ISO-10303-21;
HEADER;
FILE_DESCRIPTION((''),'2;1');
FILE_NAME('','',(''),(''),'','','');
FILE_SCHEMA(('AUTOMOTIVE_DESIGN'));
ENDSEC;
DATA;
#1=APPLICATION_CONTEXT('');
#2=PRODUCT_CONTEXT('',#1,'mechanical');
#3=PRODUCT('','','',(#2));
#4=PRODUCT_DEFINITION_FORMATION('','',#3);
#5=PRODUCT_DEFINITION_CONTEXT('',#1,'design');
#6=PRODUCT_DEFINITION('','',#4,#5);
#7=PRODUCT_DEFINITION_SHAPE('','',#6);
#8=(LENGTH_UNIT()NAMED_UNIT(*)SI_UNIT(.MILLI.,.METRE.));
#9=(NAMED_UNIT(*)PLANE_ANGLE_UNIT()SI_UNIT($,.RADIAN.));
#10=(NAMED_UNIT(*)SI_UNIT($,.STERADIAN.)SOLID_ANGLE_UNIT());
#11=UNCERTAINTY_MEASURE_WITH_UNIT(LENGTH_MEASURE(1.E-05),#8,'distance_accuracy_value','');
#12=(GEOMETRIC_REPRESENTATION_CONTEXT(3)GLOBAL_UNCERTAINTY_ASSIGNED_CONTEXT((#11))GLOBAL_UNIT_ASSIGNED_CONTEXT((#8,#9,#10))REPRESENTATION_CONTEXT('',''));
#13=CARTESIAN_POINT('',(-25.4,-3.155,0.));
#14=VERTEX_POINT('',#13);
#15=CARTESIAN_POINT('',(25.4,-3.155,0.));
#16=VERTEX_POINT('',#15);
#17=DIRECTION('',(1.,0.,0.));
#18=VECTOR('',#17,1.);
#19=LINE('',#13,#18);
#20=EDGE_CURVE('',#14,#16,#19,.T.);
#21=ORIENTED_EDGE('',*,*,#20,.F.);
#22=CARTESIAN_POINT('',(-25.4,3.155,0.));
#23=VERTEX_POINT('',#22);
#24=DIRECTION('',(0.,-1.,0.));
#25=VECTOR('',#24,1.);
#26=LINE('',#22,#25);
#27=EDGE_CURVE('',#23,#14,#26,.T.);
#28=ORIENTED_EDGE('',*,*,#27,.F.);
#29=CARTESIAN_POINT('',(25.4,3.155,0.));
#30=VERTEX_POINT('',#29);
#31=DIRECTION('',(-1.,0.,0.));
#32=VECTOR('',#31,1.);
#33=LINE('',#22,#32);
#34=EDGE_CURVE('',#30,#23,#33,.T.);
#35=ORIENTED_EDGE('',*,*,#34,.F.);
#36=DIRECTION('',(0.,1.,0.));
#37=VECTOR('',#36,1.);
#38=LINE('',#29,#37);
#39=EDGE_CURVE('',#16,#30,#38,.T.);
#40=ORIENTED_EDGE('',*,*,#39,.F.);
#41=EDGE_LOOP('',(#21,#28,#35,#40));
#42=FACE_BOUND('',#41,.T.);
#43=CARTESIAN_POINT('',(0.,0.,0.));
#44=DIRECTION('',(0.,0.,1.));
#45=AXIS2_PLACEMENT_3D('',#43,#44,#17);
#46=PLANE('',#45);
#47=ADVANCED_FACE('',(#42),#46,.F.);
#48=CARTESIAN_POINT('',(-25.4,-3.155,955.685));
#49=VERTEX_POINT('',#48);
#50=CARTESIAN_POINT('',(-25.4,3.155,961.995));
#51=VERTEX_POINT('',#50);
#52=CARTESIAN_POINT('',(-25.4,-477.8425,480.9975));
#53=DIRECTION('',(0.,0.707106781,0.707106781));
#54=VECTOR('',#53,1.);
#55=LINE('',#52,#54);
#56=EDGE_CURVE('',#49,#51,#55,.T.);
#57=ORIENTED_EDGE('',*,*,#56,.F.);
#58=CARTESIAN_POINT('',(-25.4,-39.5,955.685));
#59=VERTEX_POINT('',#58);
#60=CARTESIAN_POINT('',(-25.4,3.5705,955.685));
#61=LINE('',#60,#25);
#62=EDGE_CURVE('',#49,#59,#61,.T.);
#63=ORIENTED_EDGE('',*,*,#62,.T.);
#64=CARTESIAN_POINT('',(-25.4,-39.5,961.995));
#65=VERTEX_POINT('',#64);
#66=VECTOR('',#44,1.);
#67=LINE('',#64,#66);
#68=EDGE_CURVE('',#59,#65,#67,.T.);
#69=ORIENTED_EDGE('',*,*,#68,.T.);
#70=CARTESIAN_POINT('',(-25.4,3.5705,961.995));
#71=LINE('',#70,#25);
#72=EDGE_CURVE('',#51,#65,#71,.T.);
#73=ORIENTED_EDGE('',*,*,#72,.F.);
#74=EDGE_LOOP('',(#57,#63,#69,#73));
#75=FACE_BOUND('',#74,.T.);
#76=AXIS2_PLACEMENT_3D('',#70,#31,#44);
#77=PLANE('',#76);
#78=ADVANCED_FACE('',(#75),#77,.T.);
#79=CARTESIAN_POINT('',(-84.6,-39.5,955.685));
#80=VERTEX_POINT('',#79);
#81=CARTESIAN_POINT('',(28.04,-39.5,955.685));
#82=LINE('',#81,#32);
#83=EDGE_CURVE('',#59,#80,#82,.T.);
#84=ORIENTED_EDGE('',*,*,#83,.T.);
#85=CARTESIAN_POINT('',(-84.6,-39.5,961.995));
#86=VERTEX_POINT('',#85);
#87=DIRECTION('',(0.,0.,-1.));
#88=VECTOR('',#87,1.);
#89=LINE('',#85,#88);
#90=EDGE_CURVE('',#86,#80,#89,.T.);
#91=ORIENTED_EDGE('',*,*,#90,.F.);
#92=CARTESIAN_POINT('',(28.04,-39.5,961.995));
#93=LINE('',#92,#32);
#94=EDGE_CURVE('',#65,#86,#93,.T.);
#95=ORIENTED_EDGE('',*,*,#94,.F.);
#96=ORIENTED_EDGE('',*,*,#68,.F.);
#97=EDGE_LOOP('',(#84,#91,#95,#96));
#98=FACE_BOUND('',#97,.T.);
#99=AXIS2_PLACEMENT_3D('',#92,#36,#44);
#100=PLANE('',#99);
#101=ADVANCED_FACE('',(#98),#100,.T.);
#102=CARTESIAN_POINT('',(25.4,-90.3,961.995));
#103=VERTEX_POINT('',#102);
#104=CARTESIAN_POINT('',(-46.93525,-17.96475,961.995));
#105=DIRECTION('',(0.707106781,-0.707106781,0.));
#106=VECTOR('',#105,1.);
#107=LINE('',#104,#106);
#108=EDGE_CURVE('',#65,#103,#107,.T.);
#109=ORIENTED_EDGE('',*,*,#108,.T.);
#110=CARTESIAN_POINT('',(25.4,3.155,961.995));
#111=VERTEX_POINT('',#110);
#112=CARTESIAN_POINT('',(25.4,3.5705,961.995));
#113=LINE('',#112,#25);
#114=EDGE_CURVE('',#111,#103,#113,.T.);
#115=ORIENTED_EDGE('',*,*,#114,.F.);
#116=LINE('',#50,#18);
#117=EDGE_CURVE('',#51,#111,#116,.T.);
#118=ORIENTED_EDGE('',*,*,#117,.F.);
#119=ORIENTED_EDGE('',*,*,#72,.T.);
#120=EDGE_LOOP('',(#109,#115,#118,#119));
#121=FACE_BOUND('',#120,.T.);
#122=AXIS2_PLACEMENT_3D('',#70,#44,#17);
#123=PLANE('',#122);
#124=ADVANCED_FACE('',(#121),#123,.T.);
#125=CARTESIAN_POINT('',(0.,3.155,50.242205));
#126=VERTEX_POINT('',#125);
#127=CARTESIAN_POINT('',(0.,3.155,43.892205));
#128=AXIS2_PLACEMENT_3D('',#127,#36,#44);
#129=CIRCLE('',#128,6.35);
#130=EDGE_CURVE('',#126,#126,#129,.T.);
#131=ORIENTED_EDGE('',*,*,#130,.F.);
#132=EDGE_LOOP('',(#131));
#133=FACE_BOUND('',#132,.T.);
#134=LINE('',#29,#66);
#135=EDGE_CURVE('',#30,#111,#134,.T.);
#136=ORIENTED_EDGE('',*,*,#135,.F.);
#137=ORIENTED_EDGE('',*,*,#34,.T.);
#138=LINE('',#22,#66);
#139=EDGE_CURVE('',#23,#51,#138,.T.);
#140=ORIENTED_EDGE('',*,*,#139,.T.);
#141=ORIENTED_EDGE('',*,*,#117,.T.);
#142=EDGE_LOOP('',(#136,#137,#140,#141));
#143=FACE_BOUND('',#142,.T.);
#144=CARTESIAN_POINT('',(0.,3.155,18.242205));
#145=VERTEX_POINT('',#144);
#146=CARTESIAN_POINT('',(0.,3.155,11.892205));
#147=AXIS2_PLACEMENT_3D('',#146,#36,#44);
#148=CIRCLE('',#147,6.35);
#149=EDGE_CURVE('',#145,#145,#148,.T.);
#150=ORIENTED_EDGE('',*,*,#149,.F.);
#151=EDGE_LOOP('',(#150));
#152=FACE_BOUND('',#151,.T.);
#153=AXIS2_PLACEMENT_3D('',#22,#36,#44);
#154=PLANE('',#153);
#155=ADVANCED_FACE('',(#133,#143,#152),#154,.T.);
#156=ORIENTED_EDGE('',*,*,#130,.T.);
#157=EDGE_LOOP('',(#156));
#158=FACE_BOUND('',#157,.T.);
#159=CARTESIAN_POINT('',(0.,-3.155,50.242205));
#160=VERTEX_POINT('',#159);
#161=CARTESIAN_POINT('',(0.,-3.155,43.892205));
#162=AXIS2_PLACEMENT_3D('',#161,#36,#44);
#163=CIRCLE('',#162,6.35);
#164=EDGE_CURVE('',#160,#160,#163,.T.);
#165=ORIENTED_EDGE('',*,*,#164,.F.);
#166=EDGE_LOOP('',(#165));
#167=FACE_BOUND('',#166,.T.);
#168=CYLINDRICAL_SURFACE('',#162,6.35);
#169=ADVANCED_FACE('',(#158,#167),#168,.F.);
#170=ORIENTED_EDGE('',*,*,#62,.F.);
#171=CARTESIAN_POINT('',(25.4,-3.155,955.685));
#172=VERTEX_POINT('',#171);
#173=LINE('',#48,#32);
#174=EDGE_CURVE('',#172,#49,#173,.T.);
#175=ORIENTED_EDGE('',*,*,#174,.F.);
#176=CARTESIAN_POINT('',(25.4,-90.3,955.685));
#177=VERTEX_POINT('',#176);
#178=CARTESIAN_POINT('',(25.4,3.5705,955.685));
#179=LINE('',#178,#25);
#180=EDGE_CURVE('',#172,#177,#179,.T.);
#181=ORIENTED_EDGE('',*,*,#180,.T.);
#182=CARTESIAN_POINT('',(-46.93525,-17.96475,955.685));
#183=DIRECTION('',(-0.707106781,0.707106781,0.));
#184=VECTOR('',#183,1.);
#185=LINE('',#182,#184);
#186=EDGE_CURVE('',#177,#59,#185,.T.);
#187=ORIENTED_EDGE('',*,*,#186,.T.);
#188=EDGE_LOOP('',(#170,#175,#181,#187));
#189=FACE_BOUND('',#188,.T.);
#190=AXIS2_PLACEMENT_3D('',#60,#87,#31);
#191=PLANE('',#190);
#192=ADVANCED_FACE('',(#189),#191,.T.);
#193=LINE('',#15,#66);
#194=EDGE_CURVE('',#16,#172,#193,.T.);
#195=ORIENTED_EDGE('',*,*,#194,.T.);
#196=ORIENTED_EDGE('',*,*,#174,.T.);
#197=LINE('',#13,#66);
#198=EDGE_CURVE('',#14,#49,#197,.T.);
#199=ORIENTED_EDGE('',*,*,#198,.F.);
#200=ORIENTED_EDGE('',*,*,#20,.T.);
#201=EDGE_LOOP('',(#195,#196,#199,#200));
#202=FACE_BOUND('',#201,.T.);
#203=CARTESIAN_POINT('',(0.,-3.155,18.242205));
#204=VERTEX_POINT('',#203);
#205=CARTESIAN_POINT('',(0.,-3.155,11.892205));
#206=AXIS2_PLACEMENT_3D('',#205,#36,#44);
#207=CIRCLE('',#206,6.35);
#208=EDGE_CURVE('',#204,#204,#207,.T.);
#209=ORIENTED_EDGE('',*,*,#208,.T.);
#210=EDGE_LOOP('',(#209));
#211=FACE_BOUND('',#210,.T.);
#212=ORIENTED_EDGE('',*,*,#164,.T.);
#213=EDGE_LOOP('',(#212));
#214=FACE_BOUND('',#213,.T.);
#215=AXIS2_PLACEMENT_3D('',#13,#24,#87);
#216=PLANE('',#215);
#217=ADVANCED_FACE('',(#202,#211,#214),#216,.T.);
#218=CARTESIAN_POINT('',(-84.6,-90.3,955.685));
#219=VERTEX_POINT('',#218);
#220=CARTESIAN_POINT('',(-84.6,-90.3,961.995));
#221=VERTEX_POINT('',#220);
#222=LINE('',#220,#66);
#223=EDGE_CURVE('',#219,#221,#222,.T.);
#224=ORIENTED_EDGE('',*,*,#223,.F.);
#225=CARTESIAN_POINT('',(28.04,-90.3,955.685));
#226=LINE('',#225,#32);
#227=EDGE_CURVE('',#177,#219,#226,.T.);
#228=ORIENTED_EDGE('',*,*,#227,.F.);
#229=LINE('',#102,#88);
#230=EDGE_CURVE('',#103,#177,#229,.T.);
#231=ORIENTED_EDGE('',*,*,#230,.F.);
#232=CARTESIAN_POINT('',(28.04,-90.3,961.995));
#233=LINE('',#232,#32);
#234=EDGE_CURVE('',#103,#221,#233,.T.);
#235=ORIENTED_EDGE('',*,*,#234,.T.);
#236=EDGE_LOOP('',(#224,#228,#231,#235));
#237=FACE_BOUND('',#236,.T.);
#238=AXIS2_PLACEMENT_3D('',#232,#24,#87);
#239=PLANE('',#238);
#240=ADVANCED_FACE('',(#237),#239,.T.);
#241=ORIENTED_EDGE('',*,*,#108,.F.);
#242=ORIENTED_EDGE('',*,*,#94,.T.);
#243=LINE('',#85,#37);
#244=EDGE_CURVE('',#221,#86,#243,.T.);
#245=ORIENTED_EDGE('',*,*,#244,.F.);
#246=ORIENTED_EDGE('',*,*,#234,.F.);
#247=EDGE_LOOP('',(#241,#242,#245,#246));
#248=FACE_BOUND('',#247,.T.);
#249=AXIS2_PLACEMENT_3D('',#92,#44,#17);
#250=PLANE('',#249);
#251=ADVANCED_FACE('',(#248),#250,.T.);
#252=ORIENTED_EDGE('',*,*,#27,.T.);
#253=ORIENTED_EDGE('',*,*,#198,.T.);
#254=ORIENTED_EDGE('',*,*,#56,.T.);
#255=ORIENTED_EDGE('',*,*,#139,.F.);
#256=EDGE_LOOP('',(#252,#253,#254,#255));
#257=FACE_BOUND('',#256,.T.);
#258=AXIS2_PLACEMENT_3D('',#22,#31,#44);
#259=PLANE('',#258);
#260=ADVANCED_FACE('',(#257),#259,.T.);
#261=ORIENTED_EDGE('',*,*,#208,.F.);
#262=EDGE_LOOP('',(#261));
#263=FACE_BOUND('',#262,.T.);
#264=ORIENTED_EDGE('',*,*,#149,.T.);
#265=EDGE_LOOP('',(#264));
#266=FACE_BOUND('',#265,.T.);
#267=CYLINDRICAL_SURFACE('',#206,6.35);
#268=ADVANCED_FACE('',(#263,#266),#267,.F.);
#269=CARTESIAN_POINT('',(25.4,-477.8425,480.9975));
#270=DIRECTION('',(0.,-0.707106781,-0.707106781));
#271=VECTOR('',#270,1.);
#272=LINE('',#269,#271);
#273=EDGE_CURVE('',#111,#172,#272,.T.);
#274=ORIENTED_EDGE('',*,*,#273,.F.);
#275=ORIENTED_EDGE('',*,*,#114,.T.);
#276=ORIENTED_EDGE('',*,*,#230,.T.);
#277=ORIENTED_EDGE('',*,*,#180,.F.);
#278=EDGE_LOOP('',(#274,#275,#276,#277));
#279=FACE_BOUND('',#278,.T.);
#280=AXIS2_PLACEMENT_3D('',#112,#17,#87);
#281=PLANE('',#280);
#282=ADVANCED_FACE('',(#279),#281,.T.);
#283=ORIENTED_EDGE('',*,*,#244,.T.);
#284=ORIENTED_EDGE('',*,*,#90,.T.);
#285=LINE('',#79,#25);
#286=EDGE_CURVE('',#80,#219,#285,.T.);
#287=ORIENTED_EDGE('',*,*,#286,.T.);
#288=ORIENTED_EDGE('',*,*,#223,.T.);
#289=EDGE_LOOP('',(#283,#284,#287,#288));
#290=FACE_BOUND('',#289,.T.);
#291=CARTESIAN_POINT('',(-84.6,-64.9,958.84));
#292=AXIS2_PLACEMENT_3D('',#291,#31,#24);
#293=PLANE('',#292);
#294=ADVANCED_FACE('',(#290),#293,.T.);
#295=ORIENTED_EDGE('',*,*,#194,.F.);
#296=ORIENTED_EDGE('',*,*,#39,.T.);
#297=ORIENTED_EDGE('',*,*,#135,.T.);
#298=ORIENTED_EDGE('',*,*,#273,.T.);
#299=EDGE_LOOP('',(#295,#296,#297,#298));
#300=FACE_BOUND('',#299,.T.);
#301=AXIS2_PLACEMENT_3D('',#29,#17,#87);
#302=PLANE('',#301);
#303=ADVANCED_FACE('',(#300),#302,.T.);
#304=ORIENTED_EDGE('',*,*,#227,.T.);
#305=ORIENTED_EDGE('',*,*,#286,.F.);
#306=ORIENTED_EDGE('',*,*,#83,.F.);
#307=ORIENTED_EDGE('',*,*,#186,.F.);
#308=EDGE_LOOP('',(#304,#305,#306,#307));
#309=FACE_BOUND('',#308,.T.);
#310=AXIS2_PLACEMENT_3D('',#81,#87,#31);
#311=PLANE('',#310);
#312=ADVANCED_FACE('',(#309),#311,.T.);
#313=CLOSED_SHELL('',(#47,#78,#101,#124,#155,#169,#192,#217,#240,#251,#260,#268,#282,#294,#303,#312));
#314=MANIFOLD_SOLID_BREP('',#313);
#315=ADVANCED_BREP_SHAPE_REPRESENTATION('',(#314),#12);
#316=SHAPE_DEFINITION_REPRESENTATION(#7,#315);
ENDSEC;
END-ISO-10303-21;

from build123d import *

# Parameters (mm, degrees)
CROQUIS1_W            = 50.8
CROQUIS1_H            = 6.31
CROQUIS2_R            = 6.35
CORTAR_EXTRUIR1_DEPTH = 6.31


with BuildPart() as part:
    # Barrer1: sweep along a curve in space
    with BuildLine() as barrer1_path:
        Line((0, 0, 0), (0, 0, 958.84))
        Line((0, 0, 958.84), (0, -64.9, 958.84))
        Line((0, -64.9, 958.84), (-84.6, -64.9, 958.84))
    # Croquis1 → Barrer1 (sweep)
    with BuildSketch(Plane.XY):
        Rectangle(CROQUIS1_W, CROQUIS1_H)
    sweep(path=barrer1_path.line, transition=Transition.RIGHT)

    # Croquis2 → Cortar-Extruir1 (cut)
    with BuildSketch(Plane(origin=(0, 3.155, 0), x_dir=(1, 0, 0), z_dir=(0, 1, 0))):
        with Locations(Location((0, -43.892204666, 0), (0, 0, 270))):
            Circle(CROQUIS2_R)
        with Locations(Location((0, -11.892204666, 0), (0, 0, 270))):
            Circle(CROQUIS2_R)
    extrude(amount=-CORTAR_EXTRUIR1_DEPTH, mode=Mode.SUBTRACT)


solid = part.part
